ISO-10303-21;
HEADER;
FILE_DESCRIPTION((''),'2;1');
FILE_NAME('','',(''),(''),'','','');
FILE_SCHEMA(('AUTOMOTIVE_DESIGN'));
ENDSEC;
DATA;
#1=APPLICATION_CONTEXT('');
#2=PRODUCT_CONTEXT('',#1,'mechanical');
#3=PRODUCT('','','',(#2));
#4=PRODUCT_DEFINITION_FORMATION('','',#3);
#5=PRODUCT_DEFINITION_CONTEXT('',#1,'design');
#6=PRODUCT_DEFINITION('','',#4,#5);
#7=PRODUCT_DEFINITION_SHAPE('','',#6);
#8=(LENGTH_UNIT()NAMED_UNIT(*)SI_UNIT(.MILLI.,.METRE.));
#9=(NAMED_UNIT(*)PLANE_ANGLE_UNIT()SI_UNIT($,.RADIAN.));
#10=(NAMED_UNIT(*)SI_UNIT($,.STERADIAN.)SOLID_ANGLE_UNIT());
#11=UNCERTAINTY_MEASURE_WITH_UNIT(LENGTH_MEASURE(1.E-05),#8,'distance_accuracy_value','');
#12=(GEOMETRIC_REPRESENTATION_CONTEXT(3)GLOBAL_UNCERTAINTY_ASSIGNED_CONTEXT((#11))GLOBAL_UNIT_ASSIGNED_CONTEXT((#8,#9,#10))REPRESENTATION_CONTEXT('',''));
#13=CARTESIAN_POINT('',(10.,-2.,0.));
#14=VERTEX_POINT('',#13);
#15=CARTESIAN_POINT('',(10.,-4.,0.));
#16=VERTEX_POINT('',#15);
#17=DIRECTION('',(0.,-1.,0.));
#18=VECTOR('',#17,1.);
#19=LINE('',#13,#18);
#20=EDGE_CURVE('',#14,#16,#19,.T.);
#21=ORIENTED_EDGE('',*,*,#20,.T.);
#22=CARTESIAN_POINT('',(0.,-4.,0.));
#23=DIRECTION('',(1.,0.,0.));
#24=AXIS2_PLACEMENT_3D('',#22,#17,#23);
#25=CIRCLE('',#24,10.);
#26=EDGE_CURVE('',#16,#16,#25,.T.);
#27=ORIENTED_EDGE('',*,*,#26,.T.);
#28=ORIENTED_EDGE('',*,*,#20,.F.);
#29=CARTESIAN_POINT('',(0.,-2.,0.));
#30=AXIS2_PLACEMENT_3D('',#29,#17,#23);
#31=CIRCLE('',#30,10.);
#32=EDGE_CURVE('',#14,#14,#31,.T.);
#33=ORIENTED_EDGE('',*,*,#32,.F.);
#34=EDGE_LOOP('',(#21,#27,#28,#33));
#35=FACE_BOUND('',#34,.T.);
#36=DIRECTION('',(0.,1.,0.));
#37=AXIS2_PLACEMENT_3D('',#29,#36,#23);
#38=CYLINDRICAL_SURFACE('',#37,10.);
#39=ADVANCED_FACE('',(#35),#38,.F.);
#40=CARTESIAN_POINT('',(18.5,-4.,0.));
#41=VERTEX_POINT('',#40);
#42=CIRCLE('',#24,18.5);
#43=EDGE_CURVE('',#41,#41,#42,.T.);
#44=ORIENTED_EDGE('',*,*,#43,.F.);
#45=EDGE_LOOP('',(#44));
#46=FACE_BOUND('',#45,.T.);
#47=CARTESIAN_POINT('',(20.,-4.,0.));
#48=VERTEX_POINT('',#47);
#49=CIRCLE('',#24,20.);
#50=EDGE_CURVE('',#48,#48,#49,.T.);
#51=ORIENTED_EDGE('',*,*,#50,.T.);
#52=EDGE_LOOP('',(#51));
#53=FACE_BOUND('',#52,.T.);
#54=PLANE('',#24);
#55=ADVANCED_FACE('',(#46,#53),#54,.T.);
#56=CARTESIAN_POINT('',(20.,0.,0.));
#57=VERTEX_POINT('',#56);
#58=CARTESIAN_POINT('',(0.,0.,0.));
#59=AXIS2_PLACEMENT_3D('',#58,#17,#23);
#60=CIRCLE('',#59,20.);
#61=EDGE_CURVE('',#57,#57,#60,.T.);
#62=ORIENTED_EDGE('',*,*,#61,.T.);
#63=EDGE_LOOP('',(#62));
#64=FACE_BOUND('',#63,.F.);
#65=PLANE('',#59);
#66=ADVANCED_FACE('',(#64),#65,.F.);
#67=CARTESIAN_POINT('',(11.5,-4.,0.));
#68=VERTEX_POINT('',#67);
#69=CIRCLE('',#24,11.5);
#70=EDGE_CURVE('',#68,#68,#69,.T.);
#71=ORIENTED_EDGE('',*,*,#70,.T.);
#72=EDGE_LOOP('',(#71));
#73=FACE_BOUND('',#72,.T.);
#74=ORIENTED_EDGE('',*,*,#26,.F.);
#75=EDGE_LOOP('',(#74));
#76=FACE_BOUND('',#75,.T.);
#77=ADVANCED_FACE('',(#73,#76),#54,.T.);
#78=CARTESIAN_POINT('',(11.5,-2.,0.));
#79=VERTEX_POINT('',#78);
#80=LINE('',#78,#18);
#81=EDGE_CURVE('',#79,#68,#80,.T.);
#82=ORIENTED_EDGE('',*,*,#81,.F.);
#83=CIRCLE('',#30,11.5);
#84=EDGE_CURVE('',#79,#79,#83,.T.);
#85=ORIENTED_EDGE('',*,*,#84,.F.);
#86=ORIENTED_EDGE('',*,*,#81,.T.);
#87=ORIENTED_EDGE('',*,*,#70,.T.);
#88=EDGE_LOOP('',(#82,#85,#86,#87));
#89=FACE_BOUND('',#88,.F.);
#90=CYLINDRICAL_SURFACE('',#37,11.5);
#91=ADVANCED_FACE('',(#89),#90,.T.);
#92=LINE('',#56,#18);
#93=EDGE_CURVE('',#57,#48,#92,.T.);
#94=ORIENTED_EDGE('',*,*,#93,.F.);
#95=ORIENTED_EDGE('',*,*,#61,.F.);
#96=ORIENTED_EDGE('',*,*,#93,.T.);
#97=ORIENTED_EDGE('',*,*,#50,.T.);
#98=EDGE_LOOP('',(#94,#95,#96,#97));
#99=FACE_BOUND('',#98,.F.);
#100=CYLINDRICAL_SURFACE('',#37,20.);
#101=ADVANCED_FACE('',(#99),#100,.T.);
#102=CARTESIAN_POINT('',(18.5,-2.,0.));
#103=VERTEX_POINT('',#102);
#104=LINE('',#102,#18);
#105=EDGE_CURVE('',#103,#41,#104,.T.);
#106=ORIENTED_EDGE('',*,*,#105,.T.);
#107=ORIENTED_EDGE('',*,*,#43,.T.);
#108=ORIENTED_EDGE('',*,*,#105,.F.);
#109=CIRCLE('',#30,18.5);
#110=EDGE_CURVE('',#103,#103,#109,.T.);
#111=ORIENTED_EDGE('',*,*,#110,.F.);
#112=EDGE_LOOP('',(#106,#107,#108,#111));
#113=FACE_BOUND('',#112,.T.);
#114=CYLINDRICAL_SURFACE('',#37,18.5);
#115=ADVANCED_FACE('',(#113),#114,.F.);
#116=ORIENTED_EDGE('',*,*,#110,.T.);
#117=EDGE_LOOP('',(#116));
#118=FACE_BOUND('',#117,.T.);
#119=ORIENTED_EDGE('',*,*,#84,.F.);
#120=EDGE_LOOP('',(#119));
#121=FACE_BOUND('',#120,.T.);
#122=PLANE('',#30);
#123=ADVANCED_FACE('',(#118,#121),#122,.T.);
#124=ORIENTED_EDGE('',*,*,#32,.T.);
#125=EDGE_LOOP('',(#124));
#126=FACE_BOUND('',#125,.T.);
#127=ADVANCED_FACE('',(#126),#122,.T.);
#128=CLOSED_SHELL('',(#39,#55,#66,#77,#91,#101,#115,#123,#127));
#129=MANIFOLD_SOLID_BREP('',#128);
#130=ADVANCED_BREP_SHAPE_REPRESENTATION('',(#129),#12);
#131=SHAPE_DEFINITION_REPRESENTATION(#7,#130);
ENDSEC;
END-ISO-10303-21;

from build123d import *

# Parameters (mm, degrees)
F0_R     = 20
F1_DEPTH = 2
F2_R     = 20
F2_R_2   = 18.5
F3_DEPTH = 2
F4_R     = 11.5
F4_R_2   = 10
F5_DEPTH = 2


with BuildPart() as f1:
    # F0 (on Front) → F1 (new body)
    with BuildSketch(Plane.XZ):
        Circle(F0_R)
    extrude(amount=F1_DEPTH)

    # F2 (on face) → F3 (join)
    with BuildSketch(Plane.XZ.offset(2)):
        Circle(F2_R)
        Circle(F2_R_2, mode=Mode.SUBTRACT)
    extrude(amount=F3_DEPTH)

    # F4 (on face) → F5 (join)
    with BuildSketch(Plane.XZ.offset(2)):
        Circle(F4_R)
        Circle(F4_R_2, mode=Mode.SUBTRACT)
    extrude(amount=F5_DEPTH)


solid = f1.part
